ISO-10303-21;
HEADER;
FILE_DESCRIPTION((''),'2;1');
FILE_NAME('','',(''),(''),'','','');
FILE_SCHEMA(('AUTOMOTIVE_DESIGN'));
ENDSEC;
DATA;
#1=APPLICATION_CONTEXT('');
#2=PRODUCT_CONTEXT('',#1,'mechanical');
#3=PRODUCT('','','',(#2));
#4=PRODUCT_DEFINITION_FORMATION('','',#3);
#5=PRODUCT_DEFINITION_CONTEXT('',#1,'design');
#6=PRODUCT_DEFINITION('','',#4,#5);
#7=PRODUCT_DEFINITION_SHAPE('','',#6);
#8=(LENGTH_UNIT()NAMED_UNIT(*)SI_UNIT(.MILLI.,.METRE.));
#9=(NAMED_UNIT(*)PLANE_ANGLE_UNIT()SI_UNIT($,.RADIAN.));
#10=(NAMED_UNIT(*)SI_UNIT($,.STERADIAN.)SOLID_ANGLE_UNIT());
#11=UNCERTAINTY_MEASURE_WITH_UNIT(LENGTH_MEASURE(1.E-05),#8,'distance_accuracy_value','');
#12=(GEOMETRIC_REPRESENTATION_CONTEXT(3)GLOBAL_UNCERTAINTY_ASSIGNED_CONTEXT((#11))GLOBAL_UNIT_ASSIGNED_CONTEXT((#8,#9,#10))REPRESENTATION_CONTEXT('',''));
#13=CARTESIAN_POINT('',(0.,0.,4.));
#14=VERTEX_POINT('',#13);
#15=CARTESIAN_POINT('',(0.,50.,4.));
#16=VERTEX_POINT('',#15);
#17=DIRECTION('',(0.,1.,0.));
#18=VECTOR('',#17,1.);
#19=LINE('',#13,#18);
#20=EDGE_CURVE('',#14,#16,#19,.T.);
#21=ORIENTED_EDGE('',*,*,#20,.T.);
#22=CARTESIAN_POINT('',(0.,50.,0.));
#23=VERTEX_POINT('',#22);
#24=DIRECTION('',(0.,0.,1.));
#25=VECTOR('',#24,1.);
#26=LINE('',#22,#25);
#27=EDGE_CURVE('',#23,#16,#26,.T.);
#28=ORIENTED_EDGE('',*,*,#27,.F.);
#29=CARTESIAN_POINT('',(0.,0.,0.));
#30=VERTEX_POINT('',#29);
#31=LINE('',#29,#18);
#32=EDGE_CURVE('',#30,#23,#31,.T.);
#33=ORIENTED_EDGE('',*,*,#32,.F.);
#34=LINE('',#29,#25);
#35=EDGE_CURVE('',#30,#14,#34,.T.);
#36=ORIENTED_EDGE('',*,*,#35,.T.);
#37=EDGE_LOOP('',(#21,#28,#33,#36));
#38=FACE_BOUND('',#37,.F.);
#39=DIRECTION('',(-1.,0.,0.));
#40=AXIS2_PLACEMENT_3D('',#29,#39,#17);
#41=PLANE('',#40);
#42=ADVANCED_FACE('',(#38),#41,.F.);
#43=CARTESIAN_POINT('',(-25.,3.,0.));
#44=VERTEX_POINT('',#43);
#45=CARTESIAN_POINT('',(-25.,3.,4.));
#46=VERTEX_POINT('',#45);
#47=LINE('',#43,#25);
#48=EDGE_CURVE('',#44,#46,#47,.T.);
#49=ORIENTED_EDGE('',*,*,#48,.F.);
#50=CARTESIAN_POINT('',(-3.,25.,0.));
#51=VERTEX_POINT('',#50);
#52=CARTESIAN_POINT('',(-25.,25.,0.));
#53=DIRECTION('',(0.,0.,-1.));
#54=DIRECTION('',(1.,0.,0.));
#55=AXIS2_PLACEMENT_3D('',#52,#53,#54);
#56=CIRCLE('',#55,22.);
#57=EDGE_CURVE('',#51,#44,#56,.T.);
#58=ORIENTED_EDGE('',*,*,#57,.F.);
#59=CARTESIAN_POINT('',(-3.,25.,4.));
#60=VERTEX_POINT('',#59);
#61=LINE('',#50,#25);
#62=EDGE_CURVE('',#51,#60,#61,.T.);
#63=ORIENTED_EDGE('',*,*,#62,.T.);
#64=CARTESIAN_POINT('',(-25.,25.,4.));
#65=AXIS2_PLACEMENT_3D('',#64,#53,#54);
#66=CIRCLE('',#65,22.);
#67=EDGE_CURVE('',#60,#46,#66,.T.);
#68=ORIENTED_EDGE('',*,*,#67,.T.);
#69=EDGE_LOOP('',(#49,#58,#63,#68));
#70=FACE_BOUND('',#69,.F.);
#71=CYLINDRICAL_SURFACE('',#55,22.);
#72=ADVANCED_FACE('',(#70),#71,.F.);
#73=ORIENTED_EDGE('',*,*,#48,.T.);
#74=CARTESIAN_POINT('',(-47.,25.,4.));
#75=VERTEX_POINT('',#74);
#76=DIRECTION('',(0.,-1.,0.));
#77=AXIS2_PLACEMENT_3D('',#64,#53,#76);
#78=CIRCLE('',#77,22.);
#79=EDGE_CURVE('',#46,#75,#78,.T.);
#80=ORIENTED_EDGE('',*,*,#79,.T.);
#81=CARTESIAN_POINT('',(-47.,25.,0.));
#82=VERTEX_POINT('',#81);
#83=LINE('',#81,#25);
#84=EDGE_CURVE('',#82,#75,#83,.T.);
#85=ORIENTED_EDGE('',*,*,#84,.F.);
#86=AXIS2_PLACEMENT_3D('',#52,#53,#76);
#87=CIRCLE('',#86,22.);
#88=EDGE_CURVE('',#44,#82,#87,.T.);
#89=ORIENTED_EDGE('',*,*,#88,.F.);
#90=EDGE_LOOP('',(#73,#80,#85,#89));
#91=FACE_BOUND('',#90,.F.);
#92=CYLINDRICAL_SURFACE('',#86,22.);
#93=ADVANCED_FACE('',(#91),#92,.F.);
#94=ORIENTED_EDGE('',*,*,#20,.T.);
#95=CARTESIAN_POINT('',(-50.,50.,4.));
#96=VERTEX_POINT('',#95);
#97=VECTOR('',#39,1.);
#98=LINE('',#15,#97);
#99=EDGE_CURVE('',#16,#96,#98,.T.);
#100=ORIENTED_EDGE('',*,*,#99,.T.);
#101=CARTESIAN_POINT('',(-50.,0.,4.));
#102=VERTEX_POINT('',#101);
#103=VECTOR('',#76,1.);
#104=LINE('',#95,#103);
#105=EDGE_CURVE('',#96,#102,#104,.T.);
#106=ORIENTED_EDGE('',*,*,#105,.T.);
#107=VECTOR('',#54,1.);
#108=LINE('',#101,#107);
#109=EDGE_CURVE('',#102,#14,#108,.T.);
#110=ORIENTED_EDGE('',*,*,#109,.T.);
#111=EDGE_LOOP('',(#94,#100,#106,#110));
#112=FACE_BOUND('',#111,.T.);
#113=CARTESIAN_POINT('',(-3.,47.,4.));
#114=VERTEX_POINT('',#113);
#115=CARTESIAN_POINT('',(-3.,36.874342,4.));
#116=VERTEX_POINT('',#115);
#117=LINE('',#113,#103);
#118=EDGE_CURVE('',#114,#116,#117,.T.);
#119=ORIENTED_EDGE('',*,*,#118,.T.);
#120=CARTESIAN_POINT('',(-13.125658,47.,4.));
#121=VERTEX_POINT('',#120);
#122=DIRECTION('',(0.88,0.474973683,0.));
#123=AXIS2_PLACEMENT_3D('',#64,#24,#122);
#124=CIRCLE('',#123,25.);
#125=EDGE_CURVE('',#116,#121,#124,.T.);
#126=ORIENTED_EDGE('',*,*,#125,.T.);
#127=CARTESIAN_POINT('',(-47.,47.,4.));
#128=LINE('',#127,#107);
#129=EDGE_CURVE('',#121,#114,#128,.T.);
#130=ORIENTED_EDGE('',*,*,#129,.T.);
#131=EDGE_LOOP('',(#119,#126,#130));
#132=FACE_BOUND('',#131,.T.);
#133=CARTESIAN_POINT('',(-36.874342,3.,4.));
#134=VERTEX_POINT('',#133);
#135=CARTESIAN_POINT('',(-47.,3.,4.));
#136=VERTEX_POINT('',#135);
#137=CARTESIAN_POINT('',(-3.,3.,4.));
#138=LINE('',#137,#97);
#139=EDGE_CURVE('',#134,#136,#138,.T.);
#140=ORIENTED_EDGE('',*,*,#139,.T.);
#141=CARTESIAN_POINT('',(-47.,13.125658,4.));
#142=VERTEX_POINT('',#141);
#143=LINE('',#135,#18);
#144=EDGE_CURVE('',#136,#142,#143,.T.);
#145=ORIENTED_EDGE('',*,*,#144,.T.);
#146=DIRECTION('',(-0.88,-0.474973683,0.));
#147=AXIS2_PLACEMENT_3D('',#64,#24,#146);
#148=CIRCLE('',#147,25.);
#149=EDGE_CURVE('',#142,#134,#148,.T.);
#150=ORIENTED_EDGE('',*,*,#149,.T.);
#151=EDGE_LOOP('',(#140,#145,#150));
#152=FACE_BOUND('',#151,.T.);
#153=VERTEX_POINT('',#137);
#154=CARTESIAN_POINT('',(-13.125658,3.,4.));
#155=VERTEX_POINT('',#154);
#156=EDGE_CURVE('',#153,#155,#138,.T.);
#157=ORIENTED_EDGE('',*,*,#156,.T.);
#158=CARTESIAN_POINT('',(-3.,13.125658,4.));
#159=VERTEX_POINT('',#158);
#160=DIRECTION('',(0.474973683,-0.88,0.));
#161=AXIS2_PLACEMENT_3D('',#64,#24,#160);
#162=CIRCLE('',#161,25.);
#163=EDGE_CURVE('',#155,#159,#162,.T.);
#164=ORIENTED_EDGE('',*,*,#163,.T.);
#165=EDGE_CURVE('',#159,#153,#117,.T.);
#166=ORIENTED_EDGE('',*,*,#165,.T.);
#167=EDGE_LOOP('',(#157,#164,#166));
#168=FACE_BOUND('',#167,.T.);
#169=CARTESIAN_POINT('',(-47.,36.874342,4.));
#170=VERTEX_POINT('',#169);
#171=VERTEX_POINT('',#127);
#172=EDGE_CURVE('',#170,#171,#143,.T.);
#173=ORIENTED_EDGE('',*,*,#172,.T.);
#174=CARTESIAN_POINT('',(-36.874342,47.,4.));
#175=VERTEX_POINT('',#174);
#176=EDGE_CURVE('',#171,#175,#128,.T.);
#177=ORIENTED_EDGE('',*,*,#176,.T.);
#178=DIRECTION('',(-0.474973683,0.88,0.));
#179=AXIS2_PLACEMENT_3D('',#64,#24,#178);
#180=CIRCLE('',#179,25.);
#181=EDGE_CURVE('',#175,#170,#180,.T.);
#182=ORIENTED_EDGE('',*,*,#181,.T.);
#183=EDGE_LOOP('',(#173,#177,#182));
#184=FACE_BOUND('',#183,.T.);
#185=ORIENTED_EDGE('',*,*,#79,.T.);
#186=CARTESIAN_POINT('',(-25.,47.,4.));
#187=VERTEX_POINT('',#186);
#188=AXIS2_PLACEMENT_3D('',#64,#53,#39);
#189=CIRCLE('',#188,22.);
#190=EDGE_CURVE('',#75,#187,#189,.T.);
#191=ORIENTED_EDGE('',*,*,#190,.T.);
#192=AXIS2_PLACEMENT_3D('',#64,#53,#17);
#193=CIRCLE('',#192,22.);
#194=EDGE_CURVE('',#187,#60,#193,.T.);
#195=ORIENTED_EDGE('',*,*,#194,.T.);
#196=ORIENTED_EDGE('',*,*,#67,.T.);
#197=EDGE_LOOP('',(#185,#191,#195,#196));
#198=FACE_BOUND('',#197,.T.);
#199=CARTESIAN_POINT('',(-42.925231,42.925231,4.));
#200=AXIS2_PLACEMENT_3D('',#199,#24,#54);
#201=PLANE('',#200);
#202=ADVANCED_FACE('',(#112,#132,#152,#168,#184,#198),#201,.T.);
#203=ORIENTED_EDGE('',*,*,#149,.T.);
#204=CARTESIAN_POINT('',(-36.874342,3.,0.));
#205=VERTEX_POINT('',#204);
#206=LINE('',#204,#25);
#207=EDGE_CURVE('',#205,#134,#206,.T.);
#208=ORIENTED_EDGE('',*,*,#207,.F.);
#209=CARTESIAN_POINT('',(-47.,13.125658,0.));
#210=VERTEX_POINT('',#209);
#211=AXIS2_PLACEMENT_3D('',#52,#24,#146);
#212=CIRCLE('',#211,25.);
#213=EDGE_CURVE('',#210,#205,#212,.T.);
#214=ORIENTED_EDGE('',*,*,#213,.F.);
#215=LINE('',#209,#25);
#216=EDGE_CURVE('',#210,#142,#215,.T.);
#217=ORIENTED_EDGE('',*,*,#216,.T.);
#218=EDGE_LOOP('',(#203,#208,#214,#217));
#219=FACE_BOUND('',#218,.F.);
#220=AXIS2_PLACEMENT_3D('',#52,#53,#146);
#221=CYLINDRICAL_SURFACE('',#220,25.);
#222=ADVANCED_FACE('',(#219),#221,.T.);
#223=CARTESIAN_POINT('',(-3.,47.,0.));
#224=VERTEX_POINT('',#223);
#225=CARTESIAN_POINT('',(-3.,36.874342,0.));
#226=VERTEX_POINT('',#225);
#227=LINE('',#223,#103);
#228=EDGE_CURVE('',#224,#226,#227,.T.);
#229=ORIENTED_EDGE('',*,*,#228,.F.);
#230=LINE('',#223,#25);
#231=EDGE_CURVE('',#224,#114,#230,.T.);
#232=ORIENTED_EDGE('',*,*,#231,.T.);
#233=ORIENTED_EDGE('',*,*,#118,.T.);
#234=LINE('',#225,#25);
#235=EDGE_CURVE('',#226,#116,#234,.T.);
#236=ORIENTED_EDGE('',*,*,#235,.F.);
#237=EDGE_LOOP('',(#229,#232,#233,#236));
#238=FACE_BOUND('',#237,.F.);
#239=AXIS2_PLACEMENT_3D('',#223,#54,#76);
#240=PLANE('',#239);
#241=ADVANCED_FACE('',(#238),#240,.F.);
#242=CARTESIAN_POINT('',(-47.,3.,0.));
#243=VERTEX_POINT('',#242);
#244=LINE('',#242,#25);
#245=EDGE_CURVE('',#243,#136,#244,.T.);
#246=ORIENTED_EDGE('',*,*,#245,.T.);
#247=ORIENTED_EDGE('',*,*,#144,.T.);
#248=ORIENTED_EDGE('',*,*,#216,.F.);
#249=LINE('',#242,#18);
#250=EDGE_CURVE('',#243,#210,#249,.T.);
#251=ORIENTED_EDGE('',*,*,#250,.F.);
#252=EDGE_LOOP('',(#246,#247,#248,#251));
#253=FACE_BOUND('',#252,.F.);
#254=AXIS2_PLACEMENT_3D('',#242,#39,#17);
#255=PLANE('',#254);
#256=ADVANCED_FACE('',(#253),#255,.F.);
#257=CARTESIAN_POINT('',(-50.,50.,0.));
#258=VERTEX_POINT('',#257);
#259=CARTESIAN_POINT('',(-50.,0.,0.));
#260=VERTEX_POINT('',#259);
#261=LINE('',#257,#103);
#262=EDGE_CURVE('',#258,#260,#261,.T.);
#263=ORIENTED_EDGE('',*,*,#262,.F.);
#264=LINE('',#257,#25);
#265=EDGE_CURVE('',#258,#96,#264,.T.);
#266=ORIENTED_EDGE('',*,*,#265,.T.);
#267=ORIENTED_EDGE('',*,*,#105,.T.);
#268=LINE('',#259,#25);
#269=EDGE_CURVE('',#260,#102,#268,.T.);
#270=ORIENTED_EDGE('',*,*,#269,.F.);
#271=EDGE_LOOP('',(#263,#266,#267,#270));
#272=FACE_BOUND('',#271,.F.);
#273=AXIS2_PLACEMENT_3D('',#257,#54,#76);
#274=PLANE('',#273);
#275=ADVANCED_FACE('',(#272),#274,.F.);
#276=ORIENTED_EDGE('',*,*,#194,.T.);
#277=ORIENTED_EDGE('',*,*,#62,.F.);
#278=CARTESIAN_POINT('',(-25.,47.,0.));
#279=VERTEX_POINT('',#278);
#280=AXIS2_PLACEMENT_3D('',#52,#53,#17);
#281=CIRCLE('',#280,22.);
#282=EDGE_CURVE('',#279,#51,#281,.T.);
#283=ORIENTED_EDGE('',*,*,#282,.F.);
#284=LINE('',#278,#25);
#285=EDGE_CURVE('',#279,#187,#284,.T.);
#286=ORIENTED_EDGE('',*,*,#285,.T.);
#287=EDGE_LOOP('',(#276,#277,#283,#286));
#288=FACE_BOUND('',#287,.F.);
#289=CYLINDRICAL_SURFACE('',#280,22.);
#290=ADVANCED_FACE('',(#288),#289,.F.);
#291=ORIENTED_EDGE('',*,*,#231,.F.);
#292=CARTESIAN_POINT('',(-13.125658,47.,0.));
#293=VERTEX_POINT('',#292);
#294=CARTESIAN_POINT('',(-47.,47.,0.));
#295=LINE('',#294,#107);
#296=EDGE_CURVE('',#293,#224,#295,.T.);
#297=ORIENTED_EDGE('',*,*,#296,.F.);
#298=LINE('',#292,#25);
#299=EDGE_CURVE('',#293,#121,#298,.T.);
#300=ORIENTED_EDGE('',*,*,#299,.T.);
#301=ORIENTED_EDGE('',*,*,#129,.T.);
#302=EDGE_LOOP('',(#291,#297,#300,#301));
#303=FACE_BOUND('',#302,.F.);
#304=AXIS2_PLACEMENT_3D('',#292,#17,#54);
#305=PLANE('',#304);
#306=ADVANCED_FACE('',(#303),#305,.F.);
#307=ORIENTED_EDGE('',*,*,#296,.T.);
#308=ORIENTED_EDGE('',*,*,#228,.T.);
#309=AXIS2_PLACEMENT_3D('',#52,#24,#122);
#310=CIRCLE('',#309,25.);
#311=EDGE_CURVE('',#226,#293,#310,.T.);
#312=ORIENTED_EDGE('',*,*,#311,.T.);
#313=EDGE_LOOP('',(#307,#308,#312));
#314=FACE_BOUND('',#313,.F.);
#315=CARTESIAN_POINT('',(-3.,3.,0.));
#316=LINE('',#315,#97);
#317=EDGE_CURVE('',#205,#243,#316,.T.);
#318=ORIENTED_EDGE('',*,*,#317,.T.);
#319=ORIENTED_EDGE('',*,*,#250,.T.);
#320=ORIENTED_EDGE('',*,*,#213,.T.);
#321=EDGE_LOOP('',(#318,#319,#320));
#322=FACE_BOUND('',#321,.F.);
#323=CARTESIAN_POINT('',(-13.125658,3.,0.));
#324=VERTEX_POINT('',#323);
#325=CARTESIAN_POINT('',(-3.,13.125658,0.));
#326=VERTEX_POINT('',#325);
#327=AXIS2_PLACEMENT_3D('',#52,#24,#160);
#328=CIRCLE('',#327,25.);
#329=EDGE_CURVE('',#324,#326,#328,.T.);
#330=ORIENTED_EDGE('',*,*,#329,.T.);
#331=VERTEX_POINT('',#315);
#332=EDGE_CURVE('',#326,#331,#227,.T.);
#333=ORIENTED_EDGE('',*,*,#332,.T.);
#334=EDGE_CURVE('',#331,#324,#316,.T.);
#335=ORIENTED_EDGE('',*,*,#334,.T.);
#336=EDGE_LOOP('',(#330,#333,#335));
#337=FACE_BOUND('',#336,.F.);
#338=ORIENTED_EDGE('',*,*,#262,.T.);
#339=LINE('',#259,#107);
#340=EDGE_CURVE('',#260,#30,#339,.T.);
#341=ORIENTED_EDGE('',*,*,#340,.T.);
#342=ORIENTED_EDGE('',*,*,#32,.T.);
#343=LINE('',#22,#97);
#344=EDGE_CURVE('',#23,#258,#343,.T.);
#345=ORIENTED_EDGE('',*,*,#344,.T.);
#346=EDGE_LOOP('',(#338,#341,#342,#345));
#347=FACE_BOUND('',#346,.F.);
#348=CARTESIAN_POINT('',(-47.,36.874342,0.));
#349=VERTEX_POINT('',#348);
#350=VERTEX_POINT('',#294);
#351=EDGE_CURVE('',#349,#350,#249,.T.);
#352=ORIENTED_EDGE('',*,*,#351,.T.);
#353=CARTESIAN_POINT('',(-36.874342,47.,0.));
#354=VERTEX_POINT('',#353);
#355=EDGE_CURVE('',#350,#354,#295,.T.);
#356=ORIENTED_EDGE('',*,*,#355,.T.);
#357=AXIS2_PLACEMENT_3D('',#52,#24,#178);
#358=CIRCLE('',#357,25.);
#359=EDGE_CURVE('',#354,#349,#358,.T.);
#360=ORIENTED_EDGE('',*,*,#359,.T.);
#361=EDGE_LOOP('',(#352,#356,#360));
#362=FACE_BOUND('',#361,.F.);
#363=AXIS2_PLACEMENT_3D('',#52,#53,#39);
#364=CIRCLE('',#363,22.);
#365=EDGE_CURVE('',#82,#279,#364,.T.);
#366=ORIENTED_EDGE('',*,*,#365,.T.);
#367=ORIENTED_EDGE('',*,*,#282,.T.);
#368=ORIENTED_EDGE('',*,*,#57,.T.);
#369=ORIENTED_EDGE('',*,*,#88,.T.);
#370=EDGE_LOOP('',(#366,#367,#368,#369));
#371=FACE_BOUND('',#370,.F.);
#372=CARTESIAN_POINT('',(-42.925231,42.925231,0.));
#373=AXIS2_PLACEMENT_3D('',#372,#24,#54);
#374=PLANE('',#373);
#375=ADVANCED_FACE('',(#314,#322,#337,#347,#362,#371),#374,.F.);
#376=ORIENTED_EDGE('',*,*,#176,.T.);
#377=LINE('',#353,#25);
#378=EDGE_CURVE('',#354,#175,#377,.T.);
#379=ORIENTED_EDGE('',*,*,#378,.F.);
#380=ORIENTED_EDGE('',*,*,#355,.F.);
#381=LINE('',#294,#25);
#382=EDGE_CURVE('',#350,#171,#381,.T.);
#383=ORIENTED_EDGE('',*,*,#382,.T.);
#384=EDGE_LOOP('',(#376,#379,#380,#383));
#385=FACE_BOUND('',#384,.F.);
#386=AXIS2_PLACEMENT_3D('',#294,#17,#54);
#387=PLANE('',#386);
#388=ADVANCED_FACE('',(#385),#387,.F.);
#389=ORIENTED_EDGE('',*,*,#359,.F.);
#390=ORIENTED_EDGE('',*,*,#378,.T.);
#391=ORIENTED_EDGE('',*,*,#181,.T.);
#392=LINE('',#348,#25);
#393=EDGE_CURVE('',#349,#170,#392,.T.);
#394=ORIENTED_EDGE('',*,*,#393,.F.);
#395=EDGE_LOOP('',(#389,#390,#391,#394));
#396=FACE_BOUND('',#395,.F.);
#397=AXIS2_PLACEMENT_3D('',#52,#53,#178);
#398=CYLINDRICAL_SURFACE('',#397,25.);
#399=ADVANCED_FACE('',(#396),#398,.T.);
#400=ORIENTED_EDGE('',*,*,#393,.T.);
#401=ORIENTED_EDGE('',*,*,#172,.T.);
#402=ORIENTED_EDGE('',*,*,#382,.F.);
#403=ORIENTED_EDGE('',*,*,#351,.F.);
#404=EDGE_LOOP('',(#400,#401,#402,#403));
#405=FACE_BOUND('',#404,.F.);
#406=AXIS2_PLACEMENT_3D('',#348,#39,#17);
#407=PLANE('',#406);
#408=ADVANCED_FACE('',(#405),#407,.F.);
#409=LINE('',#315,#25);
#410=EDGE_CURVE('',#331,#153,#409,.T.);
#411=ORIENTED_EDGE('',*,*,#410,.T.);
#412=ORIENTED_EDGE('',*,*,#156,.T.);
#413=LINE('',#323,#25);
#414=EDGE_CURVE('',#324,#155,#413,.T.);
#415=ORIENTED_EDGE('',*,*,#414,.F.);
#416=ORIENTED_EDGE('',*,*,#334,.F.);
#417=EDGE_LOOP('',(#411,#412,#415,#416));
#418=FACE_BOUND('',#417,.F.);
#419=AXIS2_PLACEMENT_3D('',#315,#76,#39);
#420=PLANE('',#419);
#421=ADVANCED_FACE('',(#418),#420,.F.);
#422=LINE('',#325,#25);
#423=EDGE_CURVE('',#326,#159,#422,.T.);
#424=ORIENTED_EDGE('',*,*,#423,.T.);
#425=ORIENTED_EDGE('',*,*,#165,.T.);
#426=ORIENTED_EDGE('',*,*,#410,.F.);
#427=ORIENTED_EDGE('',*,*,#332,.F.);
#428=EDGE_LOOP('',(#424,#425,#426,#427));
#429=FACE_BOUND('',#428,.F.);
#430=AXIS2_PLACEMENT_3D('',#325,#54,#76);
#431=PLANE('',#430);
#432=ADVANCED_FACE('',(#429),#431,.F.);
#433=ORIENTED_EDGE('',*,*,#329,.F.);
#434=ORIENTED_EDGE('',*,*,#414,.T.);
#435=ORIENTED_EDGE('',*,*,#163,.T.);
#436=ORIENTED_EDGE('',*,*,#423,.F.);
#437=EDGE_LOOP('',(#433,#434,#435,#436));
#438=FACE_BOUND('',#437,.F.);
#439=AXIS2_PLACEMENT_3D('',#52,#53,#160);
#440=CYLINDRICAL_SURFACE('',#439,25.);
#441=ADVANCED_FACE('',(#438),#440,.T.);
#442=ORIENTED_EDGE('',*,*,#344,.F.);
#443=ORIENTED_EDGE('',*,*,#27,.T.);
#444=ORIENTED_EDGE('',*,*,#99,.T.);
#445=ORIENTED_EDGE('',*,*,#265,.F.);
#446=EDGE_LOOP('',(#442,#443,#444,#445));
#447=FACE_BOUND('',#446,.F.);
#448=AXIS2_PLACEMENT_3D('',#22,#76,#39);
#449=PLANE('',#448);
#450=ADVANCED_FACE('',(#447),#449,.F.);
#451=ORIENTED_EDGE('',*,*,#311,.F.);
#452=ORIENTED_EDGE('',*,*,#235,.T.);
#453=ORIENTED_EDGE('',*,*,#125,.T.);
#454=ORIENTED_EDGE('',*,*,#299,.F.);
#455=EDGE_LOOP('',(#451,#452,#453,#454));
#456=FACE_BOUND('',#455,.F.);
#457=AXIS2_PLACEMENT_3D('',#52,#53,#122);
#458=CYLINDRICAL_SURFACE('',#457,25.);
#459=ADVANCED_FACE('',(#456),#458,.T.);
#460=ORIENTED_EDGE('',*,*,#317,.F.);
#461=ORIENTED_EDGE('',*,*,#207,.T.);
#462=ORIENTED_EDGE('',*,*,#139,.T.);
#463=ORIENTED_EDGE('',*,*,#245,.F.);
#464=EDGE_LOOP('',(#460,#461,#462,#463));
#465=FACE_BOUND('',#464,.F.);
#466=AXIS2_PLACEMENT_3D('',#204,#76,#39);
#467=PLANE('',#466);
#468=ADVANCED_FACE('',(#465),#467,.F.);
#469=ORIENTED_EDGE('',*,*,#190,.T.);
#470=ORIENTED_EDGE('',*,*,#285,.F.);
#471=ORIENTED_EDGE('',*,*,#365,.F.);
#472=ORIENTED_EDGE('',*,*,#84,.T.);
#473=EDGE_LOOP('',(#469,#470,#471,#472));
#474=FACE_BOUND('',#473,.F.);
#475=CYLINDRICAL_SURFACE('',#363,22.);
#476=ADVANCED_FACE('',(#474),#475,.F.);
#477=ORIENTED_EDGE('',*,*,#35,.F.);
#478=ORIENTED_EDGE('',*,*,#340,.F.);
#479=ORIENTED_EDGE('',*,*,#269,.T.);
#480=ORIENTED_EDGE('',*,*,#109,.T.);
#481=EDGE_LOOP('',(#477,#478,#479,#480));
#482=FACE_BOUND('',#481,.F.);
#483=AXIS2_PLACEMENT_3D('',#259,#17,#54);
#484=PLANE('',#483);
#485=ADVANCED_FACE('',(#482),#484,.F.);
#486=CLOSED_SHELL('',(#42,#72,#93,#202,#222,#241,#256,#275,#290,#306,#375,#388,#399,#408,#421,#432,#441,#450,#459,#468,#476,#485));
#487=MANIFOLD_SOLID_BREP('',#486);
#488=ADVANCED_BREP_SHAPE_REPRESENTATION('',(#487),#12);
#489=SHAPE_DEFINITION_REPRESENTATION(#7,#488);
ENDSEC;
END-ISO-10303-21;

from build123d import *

# Parameters (mm, degrees)
F1_DEPTH = 4


with BuildPart() as f1:
    # F0 (on Top) → F1 (new body)
    with BuildSketch(Plane.XY):
        with BuildLine():
            Line((-50, 50), (-50, 25))
            ThreePointArc((-50, 25), (-49.2383992871, 31.123724357), (-47, 36.874342087))
            Line((-47, 36.874342087), (-47, 47))
            Line((-47, 47), (-36.874342087, 47))
            ThreePointArc((-36.874342087, 47), (-31.123724357, 49.2383992871), (-25, 50))
            Line((-25, 50), (-50, 50))
        make_face()
        with BuildLine():
            ThreePointArc((-47, 36.874342087), (-49.2383992871, 31.123724357), (-50, 25))
            ThreePointArc((-50, 25), (-49.2383992871, 18.876275643), (-47, 13.125657913))
            Line((-47, 13.125657913), (-47, 25))
            Line((-47, 25), (-47, 36.874342087))
        make_face()
        with BuildLine():
            Line((-50, 0), (-25, 0))
            ThreePointArc((-25, 0), (-31.123724357, 0.7616007129), (-36.874342087, 3))
            Line((-36.874342087, 3), (-47, 3))
            Line((-47, 3), (-47, 13.125657913))
            ThreePointArc((-47, 13.125657913), (-49.2383992871, 18.876275643), (-50, 25))
            Line((-50, 25), (-50, 0))
        make_face()
        with BuildLine():
            ThreePointArc((-36.874342087, 3), (-31.123724357, 0.7616007129), (-25, 0))
            ThreePointArc((-25, 0), (-18.876275643, 0.7616007129), (-13.125657913, 3))
            Line((-13.125657913, 3), (-25, 3))
            Line((-25, 3), (-36.874342087, 3))
        make_face()
        with BuildLine():
            Line((-25, 0), (0, 0))
            Line((0, 0), (0, 25))
            ThreePointArc((0, 25), (-0.7616007129, 18.876275643), (-3, 13.125657913))
            Line((-3, 13.125657913), (-3, 3))
            Line((-3, 3), (-13.125657913, 3))
            ThreePointArc((-13.125657913, 3), (-18.876275643, 0.7616007129), (-25, 0))
        make_face()
        with BuildLine():
            ThreePointArc((-3, 13.125657913), (-0.7616007129, 18.876275643), (0, 25))
            ThreePointArc((0, 25), (-0.7616007129, 31.123724357), (-3, 36.874342087))
            Line((-3, 36.874342087), (-3, 25))
            Line((-3, 25), (-3, 13.125657913))
        make_face()
        with BuildLine():
            ThreePointArc((-3, 36.874342087), (-0.7616007129, 31.123724357), (0, 25))
            Line((0, 25), (0, 50))
            Line((0, 50), (-25, 50))
            ThreePointArc((-25, 50), (-18.876275643, 49.2383992871), (-13.125657913, 47))
            Line((-13.125657913, 47), (-3, 47))
            Line((-3, 47), (-3, 36.874342087))
        make_face()
        with BuildLine():
            ThreePointArc((-13.125657913, 47), (-18.876275643, 49.2383992871), (-25, 50))
            ThreePointArc((-25, 50), (-31.123724357, 49.2383992871), (-36.874342087, 47))
            Line((-36.874342087, 47), (-25, 47))
            Line((-25, 47), (-13.125657913, 47))
        make_face()
        with BuildLine():
            ThreePointArc((-36.874342087, 47), (-42.6776695297, 42.6776695297), (-47, 36.874342087))
            Line((-47, 36.874342087), (-47, 25))
            ThreePointArc((-47, 25), (-40.5563491861, 40.5563491861), (-25, 47))
            Line((-25, 47), (-36.874342087, 47))
        make_face()
        with BuildLine():
            ThreePointArc((-47, 13.125657913), (-42.6776695297, 7.3223304703), (-36.874342087, 3))
            Line((-36.874342087, 3), (-25, 3))
            ThreePointArc((-25, 3), (-40.5563491861, 9.4436508139), (-47, 25))
            Line((-47, 25), (-47, 13.125657913))
        make_face()
        with BuildLine():
            Line((-25, 3), (-13.125657913, 3))
            ThreePointArc((-13.125657913, 3), (-7.3223304703, 7.3223304703), (-3, 13.125657913))
            Line((-3, 13.125657913), (-3, 25))
            ThreePointArc((-3, 25), (-9.4436508139, 9.4436508139), (-25, 3))
        make_face()
        with BuildLine():
            Line((-3, 25), (-3, 36.874342087))
            ThreePointArc((-3, 36.874342087), (-7.3223304703, 42.6776695297), (-13.125657913, 47))
            Line((-13.125657913, 47), (-25, 47))
            ThreePointArc((-25, 47), (-9.4436508139, 40.5563491861), (-3, 25))
        make_face()
    extrude(amount=F1_DEPTH)


solid = f1.part
